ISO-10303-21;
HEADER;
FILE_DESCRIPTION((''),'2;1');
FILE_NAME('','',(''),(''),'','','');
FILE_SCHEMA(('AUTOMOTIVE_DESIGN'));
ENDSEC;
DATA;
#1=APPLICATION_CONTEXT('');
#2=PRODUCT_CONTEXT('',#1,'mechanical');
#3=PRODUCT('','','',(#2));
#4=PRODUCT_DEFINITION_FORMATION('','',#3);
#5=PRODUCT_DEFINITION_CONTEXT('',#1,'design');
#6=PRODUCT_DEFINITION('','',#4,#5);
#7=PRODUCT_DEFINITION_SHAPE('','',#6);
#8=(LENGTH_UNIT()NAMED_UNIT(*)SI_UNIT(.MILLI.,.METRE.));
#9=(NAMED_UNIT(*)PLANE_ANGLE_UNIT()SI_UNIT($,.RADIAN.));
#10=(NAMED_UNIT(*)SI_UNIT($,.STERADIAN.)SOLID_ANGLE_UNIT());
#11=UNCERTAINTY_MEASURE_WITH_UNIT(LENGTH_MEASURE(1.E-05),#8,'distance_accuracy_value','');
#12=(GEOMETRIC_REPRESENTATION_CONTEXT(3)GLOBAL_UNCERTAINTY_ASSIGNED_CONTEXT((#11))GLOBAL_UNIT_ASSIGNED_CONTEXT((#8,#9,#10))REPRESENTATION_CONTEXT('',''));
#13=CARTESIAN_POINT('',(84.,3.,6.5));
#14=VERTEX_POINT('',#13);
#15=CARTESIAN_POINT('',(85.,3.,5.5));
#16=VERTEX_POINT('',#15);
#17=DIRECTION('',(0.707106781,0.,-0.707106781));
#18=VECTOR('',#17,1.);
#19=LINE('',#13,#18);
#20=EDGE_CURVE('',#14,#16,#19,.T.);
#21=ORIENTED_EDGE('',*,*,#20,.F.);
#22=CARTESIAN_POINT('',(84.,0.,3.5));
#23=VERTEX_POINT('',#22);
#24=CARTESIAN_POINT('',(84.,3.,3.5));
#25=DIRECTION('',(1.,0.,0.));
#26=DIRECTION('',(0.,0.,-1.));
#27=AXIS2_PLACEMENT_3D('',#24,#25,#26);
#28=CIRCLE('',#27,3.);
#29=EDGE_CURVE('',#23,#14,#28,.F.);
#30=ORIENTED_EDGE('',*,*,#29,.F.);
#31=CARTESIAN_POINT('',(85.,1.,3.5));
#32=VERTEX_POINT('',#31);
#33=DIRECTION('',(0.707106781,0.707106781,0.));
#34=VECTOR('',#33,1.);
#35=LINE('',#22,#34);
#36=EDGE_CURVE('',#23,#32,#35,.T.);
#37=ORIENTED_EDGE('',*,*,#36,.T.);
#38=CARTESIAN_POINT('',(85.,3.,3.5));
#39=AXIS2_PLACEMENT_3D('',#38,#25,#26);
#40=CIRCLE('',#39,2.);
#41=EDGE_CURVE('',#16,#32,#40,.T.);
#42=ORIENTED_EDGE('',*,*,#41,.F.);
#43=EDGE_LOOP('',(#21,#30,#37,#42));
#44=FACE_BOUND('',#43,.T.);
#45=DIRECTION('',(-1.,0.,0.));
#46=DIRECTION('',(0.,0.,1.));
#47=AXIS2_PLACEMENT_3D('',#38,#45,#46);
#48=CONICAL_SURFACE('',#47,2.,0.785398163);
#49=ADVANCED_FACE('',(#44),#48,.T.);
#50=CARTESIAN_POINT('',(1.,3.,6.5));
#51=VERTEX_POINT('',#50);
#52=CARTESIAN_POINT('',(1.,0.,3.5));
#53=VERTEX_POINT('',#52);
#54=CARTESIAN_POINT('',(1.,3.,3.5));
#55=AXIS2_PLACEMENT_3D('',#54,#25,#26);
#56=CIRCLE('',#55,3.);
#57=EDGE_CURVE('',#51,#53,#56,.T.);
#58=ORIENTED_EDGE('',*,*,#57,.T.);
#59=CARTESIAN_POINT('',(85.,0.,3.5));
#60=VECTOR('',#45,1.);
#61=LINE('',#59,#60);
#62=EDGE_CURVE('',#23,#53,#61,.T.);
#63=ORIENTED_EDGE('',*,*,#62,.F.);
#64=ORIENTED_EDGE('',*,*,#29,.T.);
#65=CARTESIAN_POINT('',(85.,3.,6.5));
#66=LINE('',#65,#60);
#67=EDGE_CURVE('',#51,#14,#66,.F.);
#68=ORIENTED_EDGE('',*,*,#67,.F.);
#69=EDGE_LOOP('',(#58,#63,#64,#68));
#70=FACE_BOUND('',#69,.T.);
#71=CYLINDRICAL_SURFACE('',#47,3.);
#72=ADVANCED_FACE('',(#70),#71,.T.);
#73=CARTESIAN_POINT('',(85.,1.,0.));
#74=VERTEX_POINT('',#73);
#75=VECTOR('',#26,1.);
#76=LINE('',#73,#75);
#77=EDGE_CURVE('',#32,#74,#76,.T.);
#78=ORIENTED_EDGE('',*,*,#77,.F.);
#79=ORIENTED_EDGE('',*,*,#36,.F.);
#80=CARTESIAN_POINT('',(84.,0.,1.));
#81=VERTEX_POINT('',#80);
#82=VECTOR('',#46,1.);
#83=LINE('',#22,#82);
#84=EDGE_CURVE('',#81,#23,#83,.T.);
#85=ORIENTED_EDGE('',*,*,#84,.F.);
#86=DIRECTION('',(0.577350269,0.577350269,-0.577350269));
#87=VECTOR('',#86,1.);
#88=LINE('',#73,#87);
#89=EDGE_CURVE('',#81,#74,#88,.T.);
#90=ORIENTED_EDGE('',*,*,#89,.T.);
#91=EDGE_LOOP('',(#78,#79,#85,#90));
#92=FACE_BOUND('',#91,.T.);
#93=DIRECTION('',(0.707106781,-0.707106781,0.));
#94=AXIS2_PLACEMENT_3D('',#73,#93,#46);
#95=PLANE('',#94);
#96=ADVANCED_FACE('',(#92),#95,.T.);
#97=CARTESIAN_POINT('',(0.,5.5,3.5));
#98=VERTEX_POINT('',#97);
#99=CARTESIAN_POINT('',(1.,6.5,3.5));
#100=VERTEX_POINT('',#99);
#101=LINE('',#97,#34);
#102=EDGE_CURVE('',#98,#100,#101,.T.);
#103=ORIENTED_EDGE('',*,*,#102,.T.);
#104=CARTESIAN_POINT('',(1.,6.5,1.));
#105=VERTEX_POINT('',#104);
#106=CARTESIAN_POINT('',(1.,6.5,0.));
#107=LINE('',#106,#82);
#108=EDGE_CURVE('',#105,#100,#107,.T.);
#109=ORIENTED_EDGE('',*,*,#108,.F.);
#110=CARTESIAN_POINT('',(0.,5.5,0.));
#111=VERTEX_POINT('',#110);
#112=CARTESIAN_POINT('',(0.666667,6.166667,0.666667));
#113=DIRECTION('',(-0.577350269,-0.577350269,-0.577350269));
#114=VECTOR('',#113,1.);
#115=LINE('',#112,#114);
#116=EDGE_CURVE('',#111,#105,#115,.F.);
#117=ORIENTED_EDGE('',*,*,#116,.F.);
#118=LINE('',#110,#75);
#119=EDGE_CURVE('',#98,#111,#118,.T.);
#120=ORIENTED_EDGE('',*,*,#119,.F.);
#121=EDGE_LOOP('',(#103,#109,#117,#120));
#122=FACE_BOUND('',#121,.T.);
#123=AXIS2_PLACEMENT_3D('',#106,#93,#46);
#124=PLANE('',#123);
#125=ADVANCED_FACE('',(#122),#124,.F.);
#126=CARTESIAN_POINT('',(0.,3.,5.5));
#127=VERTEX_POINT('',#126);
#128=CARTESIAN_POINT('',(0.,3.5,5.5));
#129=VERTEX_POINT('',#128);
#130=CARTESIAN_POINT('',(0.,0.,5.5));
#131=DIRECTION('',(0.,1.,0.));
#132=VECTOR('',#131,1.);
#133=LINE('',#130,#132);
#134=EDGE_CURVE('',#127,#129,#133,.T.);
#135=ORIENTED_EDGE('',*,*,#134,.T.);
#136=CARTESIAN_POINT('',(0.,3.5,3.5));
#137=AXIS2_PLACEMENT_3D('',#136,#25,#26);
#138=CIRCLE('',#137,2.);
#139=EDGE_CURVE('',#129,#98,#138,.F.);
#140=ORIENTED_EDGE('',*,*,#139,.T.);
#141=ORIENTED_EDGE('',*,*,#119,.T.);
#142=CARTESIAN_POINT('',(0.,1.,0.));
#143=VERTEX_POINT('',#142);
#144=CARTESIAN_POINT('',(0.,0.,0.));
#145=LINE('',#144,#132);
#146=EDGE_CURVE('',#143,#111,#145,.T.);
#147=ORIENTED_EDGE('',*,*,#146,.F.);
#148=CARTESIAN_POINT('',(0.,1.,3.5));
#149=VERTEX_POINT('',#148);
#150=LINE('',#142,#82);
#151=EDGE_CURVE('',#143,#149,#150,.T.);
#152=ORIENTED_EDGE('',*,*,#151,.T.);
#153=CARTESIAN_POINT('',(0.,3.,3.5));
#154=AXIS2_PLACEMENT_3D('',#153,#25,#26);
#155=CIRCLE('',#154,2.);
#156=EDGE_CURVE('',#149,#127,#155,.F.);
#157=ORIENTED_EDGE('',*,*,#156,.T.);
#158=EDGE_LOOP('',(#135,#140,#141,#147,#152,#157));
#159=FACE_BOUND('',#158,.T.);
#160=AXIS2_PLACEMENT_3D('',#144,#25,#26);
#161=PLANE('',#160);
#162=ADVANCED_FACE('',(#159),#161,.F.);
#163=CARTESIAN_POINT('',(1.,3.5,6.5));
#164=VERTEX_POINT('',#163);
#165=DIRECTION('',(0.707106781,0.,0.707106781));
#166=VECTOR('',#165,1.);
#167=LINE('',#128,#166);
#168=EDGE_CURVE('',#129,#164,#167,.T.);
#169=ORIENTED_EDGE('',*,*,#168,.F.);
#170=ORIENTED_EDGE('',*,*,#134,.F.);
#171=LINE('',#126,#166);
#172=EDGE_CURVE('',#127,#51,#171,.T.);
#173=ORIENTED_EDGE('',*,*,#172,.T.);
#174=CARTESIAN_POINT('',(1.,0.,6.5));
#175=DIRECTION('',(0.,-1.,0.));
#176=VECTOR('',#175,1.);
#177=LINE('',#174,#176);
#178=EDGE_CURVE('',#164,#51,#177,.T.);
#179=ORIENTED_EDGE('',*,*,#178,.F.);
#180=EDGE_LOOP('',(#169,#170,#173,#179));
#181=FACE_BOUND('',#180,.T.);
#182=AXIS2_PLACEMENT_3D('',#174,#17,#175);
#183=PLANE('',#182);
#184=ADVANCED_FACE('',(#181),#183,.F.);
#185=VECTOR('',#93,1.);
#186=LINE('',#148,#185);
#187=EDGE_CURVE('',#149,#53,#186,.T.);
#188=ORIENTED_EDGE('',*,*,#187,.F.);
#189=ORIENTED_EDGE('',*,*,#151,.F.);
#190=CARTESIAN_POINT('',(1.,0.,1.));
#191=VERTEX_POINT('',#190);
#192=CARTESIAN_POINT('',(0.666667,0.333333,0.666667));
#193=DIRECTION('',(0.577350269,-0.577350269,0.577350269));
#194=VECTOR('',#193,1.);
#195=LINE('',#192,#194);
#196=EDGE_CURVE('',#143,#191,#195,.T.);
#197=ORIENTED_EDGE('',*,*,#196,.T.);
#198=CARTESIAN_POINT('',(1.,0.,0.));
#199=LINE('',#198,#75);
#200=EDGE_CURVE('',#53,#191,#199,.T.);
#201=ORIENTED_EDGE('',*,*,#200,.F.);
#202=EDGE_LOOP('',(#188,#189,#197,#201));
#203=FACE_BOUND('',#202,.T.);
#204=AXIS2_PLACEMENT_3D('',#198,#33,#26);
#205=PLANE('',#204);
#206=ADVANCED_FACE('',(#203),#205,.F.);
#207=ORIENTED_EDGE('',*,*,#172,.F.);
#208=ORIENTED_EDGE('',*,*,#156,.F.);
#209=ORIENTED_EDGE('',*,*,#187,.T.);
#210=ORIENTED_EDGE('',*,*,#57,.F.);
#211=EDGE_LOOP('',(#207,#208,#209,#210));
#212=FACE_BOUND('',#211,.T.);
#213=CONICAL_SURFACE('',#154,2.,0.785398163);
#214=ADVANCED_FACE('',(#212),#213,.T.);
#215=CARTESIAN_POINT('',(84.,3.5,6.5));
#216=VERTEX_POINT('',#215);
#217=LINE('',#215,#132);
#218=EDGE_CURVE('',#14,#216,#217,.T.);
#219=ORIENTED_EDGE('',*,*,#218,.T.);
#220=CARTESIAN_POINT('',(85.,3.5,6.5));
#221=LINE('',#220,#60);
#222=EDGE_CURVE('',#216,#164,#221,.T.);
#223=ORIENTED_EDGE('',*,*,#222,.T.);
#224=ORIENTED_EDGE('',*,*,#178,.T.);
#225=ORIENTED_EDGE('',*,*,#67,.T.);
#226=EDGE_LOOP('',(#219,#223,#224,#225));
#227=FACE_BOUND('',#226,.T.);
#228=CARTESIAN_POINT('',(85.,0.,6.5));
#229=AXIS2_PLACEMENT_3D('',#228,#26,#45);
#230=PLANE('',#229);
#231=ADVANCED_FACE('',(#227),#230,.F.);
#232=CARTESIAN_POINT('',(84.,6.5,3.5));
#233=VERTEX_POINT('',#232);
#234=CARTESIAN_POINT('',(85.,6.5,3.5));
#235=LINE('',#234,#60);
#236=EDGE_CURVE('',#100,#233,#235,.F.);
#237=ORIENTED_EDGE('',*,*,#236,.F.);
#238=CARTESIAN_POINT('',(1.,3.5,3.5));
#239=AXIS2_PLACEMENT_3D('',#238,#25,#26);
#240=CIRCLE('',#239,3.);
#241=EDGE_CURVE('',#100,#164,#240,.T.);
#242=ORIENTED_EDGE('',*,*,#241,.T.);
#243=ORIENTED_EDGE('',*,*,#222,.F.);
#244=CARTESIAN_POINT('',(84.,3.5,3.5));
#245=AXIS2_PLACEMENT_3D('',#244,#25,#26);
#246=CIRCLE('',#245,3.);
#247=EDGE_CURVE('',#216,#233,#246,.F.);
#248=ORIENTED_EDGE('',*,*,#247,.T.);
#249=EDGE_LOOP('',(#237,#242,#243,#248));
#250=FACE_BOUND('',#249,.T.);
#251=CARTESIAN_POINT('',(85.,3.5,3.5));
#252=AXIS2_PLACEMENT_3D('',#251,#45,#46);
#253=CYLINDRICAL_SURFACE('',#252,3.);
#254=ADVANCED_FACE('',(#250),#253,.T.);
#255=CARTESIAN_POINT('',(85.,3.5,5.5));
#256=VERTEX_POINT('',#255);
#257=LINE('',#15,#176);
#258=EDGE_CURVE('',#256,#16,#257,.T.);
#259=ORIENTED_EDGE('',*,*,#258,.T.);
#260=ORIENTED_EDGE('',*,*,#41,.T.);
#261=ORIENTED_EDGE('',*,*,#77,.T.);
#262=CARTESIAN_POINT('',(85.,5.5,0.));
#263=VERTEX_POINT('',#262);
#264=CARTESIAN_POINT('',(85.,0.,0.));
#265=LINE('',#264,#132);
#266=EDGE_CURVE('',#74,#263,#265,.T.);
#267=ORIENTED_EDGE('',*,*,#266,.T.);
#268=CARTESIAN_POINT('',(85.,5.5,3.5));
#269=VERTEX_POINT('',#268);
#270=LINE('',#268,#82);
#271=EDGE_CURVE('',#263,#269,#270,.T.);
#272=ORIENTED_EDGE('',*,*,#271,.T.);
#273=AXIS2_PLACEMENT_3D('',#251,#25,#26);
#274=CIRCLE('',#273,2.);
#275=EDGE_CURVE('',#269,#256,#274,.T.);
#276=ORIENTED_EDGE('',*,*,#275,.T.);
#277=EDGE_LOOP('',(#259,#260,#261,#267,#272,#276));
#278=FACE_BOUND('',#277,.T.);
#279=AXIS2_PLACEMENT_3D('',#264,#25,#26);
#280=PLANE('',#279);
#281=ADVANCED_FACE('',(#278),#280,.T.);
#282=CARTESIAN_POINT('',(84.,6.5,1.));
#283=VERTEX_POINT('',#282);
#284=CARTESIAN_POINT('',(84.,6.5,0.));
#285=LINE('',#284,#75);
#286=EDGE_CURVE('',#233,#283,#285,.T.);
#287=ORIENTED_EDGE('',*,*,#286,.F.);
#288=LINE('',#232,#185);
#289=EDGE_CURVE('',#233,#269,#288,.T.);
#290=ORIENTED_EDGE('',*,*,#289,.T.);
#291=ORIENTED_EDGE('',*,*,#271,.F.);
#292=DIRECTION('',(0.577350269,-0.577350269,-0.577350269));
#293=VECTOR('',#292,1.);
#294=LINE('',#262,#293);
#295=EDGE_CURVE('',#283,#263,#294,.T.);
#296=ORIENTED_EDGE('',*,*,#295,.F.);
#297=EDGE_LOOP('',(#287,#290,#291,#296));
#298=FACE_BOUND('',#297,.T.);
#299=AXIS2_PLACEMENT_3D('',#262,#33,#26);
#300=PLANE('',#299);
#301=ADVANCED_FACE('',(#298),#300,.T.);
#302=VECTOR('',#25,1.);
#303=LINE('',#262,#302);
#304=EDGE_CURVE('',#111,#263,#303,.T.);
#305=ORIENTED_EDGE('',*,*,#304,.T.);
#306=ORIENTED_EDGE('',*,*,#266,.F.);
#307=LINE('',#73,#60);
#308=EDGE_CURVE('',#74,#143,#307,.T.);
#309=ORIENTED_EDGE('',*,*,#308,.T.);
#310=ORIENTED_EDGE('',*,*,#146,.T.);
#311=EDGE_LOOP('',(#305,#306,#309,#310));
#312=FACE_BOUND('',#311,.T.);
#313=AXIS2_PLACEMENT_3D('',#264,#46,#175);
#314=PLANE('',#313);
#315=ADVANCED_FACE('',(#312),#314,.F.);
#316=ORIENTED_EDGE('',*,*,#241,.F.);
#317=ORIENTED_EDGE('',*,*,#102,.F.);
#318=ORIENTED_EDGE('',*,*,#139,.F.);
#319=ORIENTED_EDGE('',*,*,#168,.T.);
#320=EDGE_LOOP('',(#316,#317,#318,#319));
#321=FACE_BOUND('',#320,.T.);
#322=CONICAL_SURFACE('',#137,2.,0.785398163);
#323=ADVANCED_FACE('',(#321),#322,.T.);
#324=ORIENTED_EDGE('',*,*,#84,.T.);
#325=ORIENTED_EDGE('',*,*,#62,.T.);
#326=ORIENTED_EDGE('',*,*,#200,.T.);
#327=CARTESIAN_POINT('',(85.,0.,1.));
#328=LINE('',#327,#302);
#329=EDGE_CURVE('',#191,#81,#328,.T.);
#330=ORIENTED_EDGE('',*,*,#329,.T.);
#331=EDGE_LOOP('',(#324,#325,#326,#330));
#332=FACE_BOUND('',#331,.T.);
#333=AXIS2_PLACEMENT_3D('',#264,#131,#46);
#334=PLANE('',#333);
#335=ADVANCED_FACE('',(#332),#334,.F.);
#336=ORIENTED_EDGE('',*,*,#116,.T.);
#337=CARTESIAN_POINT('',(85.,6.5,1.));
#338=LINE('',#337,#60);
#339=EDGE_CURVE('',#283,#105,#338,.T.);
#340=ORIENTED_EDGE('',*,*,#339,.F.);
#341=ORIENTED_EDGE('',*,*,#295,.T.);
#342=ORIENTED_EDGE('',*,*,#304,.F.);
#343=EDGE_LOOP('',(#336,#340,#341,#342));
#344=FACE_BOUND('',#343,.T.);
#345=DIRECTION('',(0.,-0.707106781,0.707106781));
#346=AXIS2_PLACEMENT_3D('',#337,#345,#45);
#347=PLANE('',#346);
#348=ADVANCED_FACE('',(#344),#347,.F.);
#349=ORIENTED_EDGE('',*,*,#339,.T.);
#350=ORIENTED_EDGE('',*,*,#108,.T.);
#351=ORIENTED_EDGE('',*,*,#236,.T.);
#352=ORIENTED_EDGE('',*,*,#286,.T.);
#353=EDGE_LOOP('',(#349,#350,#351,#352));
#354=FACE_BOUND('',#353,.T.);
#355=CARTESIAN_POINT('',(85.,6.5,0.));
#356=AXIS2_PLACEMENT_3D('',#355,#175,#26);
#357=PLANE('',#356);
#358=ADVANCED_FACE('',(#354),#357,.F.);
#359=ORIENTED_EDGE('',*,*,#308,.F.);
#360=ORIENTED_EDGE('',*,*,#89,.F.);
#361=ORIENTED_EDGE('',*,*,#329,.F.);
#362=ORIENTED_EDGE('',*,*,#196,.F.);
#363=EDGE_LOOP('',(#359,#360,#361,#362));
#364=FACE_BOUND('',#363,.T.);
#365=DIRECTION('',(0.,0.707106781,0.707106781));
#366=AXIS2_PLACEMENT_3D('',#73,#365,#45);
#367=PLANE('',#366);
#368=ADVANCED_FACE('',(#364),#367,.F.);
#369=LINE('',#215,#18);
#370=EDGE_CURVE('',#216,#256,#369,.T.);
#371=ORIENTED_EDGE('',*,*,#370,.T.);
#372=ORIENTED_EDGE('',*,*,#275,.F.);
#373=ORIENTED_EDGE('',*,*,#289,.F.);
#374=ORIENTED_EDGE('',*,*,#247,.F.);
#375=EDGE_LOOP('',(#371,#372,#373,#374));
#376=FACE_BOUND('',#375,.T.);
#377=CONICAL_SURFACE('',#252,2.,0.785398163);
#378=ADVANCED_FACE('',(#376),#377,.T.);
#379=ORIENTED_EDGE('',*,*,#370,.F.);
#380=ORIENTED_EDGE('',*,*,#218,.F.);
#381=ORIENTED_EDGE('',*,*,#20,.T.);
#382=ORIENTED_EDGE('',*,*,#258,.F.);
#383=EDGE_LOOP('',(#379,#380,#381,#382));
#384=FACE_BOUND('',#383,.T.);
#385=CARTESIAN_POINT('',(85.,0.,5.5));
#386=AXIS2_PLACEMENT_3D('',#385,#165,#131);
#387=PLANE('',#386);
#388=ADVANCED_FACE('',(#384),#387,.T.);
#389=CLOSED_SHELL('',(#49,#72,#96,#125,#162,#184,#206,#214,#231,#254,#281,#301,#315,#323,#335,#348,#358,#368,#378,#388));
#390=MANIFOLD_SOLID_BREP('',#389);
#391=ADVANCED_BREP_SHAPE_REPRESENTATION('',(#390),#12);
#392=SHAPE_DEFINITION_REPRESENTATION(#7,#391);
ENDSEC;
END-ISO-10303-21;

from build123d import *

# Parameters (mm, degrees)
CROQUIS2_W              = 6.5
CROQUIS2_H              = 6.5
SALIENTE_EXTRUIR1_DEPTH = 85
REDONDEO1_R             = 3
CHAFL_N1_SIZE           = 1


with BuildPart() as part:
    # Croquis2 → Saliente-Extruir1 (new body)
    with BuildSketch(Plane(origin=(0, 0, 0), x_dir=(0, 0, -1), z_dir=(1, 0, 0))):
        with Locations((-3.25, 3.25)):
            Rectangle(CROQUIS2_W, CROQUIS2_H)
    extrude(amount=SALIENTE_EXTRUIR1_DEPTH)

    # Redondeo1
    redondeo1_edges = [part.edges().sort_by_distance(p)[0] for p in [
        (42.5, 0, 6.5),
        (42.5, 6.5, 6.5),
    ]]
    fillet(redondeo1_edges, radius=REDONDEO1_R)

    # Chaflán1
    chafl_n1_edges = [part.edges().sort_by_distance(p)[0] for p in [
        (0, 0, 1.75),
        (85, 0, 1.75),
        (0, 3.25, 6.5),
        (0, 5.621320344, 5.621320344),
        (0, 0.878679656, 5.621320344),
        (85, 3.25, 6.5),
        (85, 5.621320344, 5.621320344),
        (85, 0.878679656, 5.621320344),
        (0, 6.5, 1.75),
        (85, 6.5, 1.75),
        (42.5, 0, 0),
        (42.5, 6.5, 0),
    ]]
    chamfer(chafl_n1_edges, length=CHAFL_N1_SIZE)


solid = part.part
